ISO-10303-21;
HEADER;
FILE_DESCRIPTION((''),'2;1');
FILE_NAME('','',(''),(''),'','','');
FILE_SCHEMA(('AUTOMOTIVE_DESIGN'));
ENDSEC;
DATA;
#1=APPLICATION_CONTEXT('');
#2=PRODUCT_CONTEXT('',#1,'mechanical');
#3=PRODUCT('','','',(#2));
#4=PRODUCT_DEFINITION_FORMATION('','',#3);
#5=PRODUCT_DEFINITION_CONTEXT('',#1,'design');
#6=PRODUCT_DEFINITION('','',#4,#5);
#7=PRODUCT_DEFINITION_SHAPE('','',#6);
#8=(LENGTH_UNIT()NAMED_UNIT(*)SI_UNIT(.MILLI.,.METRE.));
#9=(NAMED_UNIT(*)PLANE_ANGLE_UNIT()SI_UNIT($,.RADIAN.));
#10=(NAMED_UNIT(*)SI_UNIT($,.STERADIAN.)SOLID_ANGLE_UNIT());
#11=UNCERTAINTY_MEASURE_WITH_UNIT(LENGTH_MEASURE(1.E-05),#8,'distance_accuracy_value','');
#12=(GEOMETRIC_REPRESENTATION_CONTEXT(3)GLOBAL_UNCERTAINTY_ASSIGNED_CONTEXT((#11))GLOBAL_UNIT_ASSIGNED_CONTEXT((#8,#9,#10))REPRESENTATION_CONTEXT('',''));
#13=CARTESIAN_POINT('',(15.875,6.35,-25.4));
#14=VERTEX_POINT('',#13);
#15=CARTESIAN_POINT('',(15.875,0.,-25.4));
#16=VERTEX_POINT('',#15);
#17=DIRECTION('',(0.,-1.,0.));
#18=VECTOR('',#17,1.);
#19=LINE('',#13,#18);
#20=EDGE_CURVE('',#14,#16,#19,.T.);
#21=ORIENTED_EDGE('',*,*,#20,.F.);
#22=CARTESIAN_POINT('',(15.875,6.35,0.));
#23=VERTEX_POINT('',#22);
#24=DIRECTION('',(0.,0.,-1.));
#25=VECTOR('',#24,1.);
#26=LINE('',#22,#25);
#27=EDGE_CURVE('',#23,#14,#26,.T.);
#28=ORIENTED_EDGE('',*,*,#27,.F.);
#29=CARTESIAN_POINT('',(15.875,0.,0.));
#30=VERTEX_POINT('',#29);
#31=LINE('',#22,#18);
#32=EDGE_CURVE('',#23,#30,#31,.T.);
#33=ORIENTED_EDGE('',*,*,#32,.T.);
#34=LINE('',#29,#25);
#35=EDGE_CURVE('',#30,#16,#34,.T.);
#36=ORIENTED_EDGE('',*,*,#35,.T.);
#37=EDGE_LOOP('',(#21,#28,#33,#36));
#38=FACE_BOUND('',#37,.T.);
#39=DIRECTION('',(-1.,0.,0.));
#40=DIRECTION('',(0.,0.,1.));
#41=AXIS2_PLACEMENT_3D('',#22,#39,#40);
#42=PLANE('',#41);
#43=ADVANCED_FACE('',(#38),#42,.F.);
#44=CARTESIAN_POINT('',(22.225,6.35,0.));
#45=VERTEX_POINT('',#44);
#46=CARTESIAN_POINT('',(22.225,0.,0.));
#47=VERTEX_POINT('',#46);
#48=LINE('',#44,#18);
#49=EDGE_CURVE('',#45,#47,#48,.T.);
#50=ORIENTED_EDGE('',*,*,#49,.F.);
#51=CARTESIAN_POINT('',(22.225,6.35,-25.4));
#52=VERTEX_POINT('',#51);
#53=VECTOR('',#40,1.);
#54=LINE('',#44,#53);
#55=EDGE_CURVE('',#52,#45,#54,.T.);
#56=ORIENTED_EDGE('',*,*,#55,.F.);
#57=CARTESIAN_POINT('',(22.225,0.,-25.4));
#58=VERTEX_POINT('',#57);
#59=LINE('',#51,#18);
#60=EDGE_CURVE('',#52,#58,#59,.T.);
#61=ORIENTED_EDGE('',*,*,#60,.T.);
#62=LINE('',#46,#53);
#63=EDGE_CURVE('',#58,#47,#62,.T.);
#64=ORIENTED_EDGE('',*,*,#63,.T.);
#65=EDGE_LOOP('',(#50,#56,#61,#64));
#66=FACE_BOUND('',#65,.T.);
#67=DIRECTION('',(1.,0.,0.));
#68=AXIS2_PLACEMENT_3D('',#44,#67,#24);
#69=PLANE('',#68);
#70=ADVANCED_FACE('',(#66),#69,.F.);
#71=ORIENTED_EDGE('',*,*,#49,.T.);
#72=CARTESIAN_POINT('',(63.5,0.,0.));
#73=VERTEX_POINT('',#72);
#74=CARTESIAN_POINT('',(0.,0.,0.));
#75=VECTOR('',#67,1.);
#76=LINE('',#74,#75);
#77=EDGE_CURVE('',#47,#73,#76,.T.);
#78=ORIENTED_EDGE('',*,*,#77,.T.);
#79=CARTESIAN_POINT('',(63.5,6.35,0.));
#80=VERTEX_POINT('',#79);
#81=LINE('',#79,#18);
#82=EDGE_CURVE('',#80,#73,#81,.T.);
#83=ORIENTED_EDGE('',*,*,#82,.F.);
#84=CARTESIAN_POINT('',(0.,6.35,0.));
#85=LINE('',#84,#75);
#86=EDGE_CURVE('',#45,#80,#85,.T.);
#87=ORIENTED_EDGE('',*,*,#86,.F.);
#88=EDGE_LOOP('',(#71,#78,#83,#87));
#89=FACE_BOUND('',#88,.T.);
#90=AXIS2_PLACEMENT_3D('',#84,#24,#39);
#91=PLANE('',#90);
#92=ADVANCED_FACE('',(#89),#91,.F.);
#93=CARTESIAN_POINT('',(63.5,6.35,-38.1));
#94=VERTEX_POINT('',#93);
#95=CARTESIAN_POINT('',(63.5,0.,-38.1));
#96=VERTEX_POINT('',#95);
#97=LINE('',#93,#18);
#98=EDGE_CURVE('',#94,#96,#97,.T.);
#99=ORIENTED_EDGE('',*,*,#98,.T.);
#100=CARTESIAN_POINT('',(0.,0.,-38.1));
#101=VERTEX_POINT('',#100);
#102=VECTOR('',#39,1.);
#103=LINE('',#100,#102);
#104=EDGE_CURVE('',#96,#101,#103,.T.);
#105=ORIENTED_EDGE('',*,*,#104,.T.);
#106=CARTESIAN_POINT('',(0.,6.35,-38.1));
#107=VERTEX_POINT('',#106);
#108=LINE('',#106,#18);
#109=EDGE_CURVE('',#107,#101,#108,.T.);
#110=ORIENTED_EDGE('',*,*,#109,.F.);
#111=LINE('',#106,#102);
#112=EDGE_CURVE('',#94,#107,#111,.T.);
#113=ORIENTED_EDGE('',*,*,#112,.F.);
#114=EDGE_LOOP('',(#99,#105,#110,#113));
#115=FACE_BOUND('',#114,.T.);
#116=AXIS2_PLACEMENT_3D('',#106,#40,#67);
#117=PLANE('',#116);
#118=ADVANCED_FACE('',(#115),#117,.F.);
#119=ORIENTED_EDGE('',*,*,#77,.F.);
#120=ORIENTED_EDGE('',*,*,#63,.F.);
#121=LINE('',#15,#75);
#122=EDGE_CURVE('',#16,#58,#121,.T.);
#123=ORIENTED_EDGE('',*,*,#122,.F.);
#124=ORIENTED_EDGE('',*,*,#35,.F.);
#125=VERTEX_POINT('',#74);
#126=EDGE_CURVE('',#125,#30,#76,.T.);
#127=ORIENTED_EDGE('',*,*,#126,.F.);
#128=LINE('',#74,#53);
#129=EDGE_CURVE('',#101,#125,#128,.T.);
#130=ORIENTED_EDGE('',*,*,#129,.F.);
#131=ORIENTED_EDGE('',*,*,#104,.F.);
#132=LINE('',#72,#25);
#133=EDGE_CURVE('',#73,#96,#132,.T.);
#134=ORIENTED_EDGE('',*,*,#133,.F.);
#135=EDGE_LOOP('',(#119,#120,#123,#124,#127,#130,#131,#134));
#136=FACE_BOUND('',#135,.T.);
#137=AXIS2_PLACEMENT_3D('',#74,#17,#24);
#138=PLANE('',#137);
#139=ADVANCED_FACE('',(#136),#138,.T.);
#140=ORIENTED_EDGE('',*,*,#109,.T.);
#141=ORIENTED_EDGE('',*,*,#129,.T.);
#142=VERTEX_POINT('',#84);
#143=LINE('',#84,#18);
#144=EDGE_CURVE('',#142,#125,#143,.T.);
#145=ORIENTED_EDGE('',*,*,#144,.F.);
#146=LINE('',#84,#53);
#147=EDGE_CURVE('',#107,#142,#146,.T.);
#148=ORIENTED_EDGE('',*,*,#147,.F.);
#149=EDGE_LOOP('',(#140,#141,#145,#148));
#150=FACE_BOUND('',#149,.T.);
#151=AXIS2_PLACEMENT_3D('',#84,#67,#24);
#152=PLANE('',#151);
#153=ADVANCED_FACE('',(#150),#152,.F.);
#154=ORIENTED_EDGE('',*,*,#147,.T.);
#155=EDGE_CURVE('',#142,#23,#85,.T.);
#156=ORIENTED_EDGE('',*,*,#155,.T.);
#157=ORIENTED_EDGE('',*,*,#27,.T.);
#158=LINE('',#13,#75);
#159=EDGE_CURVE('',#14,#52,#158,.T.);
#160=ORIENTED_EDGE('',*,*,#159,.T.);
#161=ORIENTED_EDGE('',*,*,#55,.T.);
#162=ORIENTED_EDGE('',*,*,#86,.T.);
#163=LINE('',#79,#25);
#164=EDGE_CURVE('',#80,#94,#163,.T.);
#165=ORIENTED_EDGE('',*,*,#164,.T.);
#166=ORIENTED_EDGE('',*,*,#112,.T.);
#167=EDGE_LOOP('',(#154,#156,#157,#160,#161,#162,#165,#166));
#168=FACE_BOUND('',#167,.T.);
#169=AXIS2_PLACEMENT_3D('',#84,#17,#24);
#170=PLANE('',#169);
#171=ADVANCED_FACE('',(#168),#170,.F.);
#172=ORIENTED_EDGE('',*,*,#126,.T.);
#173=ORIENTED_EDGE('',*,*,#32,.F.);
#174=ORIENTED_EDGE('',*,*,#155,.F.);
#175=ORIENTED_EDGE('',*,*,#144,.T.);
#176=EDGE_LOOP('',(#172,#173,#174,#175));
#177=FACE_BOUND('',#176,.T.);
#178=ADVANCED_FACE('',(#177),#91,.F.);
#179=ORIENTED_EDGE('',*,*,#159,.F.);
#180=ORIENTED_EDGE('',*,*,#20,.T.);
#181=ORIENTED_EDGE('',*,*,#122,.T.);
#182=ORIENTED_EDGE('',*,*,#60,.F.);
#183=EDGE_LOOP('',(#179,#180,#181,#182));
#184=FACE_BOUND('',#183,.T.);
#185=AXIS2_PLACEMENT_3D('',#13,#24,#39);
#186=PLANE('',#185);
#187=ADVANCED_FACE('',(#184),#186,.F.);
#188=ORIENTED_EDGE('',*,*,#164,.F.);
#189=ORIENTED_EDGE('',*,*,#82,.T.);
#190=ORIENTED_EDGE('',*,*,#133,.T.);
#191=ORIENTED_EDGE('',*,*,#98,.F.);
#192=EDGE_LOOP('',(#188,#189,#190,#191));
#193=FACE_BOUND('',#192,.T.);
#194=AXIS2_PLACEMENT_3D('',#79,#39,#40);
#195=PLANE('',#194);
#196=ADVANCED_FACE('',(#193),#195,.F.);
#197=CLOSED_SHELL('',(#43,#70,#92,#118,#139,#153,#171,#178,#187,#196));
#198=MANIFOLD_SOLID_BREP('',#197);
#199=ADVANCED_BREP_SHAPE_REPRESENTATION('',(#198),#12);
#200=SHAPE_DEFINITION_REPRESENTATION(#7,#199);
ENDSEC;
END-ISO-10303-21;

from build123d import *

# Parameters (mm, degrees)
SKETCH2_W           = 63.5
SKETCH2_H           = 38.1
BOSS_EXTRUDE1_DEPTH = 6.35
SKETCH3_W           = 6.35
SKETCH3_H           = 25.4
CUT_EXTRUDE1_DEPTH  = 75.324844433


with BuildPart() as part:
    # Sketch2 → Boss-Extrude1 (new body)
    with BuildSketch(Plane(origin=(0, 0, 0), x_dir=(1, 0, 0), z_dir=(0, 1, 0))):
        with Locations((31.75, 19.05)):
            Rectangle(SKETCH2_W, SKETCH2_H)
    extrude(amount=BOSS_EXTRUDE1_DEPTH)

    # Sketch3 → Cut-Extrude1 (cut, through all)
    with BuildSketch(Plane.XZ):
        with Locations((19.05, -12.7)):
            Rectangle(SKETCH3_W, SKETCH3_H)
    extrude(amount=-CUT_EXTRUDE1_DEPTH, mode=Mode.SUBTRACT)


solid = part.part
